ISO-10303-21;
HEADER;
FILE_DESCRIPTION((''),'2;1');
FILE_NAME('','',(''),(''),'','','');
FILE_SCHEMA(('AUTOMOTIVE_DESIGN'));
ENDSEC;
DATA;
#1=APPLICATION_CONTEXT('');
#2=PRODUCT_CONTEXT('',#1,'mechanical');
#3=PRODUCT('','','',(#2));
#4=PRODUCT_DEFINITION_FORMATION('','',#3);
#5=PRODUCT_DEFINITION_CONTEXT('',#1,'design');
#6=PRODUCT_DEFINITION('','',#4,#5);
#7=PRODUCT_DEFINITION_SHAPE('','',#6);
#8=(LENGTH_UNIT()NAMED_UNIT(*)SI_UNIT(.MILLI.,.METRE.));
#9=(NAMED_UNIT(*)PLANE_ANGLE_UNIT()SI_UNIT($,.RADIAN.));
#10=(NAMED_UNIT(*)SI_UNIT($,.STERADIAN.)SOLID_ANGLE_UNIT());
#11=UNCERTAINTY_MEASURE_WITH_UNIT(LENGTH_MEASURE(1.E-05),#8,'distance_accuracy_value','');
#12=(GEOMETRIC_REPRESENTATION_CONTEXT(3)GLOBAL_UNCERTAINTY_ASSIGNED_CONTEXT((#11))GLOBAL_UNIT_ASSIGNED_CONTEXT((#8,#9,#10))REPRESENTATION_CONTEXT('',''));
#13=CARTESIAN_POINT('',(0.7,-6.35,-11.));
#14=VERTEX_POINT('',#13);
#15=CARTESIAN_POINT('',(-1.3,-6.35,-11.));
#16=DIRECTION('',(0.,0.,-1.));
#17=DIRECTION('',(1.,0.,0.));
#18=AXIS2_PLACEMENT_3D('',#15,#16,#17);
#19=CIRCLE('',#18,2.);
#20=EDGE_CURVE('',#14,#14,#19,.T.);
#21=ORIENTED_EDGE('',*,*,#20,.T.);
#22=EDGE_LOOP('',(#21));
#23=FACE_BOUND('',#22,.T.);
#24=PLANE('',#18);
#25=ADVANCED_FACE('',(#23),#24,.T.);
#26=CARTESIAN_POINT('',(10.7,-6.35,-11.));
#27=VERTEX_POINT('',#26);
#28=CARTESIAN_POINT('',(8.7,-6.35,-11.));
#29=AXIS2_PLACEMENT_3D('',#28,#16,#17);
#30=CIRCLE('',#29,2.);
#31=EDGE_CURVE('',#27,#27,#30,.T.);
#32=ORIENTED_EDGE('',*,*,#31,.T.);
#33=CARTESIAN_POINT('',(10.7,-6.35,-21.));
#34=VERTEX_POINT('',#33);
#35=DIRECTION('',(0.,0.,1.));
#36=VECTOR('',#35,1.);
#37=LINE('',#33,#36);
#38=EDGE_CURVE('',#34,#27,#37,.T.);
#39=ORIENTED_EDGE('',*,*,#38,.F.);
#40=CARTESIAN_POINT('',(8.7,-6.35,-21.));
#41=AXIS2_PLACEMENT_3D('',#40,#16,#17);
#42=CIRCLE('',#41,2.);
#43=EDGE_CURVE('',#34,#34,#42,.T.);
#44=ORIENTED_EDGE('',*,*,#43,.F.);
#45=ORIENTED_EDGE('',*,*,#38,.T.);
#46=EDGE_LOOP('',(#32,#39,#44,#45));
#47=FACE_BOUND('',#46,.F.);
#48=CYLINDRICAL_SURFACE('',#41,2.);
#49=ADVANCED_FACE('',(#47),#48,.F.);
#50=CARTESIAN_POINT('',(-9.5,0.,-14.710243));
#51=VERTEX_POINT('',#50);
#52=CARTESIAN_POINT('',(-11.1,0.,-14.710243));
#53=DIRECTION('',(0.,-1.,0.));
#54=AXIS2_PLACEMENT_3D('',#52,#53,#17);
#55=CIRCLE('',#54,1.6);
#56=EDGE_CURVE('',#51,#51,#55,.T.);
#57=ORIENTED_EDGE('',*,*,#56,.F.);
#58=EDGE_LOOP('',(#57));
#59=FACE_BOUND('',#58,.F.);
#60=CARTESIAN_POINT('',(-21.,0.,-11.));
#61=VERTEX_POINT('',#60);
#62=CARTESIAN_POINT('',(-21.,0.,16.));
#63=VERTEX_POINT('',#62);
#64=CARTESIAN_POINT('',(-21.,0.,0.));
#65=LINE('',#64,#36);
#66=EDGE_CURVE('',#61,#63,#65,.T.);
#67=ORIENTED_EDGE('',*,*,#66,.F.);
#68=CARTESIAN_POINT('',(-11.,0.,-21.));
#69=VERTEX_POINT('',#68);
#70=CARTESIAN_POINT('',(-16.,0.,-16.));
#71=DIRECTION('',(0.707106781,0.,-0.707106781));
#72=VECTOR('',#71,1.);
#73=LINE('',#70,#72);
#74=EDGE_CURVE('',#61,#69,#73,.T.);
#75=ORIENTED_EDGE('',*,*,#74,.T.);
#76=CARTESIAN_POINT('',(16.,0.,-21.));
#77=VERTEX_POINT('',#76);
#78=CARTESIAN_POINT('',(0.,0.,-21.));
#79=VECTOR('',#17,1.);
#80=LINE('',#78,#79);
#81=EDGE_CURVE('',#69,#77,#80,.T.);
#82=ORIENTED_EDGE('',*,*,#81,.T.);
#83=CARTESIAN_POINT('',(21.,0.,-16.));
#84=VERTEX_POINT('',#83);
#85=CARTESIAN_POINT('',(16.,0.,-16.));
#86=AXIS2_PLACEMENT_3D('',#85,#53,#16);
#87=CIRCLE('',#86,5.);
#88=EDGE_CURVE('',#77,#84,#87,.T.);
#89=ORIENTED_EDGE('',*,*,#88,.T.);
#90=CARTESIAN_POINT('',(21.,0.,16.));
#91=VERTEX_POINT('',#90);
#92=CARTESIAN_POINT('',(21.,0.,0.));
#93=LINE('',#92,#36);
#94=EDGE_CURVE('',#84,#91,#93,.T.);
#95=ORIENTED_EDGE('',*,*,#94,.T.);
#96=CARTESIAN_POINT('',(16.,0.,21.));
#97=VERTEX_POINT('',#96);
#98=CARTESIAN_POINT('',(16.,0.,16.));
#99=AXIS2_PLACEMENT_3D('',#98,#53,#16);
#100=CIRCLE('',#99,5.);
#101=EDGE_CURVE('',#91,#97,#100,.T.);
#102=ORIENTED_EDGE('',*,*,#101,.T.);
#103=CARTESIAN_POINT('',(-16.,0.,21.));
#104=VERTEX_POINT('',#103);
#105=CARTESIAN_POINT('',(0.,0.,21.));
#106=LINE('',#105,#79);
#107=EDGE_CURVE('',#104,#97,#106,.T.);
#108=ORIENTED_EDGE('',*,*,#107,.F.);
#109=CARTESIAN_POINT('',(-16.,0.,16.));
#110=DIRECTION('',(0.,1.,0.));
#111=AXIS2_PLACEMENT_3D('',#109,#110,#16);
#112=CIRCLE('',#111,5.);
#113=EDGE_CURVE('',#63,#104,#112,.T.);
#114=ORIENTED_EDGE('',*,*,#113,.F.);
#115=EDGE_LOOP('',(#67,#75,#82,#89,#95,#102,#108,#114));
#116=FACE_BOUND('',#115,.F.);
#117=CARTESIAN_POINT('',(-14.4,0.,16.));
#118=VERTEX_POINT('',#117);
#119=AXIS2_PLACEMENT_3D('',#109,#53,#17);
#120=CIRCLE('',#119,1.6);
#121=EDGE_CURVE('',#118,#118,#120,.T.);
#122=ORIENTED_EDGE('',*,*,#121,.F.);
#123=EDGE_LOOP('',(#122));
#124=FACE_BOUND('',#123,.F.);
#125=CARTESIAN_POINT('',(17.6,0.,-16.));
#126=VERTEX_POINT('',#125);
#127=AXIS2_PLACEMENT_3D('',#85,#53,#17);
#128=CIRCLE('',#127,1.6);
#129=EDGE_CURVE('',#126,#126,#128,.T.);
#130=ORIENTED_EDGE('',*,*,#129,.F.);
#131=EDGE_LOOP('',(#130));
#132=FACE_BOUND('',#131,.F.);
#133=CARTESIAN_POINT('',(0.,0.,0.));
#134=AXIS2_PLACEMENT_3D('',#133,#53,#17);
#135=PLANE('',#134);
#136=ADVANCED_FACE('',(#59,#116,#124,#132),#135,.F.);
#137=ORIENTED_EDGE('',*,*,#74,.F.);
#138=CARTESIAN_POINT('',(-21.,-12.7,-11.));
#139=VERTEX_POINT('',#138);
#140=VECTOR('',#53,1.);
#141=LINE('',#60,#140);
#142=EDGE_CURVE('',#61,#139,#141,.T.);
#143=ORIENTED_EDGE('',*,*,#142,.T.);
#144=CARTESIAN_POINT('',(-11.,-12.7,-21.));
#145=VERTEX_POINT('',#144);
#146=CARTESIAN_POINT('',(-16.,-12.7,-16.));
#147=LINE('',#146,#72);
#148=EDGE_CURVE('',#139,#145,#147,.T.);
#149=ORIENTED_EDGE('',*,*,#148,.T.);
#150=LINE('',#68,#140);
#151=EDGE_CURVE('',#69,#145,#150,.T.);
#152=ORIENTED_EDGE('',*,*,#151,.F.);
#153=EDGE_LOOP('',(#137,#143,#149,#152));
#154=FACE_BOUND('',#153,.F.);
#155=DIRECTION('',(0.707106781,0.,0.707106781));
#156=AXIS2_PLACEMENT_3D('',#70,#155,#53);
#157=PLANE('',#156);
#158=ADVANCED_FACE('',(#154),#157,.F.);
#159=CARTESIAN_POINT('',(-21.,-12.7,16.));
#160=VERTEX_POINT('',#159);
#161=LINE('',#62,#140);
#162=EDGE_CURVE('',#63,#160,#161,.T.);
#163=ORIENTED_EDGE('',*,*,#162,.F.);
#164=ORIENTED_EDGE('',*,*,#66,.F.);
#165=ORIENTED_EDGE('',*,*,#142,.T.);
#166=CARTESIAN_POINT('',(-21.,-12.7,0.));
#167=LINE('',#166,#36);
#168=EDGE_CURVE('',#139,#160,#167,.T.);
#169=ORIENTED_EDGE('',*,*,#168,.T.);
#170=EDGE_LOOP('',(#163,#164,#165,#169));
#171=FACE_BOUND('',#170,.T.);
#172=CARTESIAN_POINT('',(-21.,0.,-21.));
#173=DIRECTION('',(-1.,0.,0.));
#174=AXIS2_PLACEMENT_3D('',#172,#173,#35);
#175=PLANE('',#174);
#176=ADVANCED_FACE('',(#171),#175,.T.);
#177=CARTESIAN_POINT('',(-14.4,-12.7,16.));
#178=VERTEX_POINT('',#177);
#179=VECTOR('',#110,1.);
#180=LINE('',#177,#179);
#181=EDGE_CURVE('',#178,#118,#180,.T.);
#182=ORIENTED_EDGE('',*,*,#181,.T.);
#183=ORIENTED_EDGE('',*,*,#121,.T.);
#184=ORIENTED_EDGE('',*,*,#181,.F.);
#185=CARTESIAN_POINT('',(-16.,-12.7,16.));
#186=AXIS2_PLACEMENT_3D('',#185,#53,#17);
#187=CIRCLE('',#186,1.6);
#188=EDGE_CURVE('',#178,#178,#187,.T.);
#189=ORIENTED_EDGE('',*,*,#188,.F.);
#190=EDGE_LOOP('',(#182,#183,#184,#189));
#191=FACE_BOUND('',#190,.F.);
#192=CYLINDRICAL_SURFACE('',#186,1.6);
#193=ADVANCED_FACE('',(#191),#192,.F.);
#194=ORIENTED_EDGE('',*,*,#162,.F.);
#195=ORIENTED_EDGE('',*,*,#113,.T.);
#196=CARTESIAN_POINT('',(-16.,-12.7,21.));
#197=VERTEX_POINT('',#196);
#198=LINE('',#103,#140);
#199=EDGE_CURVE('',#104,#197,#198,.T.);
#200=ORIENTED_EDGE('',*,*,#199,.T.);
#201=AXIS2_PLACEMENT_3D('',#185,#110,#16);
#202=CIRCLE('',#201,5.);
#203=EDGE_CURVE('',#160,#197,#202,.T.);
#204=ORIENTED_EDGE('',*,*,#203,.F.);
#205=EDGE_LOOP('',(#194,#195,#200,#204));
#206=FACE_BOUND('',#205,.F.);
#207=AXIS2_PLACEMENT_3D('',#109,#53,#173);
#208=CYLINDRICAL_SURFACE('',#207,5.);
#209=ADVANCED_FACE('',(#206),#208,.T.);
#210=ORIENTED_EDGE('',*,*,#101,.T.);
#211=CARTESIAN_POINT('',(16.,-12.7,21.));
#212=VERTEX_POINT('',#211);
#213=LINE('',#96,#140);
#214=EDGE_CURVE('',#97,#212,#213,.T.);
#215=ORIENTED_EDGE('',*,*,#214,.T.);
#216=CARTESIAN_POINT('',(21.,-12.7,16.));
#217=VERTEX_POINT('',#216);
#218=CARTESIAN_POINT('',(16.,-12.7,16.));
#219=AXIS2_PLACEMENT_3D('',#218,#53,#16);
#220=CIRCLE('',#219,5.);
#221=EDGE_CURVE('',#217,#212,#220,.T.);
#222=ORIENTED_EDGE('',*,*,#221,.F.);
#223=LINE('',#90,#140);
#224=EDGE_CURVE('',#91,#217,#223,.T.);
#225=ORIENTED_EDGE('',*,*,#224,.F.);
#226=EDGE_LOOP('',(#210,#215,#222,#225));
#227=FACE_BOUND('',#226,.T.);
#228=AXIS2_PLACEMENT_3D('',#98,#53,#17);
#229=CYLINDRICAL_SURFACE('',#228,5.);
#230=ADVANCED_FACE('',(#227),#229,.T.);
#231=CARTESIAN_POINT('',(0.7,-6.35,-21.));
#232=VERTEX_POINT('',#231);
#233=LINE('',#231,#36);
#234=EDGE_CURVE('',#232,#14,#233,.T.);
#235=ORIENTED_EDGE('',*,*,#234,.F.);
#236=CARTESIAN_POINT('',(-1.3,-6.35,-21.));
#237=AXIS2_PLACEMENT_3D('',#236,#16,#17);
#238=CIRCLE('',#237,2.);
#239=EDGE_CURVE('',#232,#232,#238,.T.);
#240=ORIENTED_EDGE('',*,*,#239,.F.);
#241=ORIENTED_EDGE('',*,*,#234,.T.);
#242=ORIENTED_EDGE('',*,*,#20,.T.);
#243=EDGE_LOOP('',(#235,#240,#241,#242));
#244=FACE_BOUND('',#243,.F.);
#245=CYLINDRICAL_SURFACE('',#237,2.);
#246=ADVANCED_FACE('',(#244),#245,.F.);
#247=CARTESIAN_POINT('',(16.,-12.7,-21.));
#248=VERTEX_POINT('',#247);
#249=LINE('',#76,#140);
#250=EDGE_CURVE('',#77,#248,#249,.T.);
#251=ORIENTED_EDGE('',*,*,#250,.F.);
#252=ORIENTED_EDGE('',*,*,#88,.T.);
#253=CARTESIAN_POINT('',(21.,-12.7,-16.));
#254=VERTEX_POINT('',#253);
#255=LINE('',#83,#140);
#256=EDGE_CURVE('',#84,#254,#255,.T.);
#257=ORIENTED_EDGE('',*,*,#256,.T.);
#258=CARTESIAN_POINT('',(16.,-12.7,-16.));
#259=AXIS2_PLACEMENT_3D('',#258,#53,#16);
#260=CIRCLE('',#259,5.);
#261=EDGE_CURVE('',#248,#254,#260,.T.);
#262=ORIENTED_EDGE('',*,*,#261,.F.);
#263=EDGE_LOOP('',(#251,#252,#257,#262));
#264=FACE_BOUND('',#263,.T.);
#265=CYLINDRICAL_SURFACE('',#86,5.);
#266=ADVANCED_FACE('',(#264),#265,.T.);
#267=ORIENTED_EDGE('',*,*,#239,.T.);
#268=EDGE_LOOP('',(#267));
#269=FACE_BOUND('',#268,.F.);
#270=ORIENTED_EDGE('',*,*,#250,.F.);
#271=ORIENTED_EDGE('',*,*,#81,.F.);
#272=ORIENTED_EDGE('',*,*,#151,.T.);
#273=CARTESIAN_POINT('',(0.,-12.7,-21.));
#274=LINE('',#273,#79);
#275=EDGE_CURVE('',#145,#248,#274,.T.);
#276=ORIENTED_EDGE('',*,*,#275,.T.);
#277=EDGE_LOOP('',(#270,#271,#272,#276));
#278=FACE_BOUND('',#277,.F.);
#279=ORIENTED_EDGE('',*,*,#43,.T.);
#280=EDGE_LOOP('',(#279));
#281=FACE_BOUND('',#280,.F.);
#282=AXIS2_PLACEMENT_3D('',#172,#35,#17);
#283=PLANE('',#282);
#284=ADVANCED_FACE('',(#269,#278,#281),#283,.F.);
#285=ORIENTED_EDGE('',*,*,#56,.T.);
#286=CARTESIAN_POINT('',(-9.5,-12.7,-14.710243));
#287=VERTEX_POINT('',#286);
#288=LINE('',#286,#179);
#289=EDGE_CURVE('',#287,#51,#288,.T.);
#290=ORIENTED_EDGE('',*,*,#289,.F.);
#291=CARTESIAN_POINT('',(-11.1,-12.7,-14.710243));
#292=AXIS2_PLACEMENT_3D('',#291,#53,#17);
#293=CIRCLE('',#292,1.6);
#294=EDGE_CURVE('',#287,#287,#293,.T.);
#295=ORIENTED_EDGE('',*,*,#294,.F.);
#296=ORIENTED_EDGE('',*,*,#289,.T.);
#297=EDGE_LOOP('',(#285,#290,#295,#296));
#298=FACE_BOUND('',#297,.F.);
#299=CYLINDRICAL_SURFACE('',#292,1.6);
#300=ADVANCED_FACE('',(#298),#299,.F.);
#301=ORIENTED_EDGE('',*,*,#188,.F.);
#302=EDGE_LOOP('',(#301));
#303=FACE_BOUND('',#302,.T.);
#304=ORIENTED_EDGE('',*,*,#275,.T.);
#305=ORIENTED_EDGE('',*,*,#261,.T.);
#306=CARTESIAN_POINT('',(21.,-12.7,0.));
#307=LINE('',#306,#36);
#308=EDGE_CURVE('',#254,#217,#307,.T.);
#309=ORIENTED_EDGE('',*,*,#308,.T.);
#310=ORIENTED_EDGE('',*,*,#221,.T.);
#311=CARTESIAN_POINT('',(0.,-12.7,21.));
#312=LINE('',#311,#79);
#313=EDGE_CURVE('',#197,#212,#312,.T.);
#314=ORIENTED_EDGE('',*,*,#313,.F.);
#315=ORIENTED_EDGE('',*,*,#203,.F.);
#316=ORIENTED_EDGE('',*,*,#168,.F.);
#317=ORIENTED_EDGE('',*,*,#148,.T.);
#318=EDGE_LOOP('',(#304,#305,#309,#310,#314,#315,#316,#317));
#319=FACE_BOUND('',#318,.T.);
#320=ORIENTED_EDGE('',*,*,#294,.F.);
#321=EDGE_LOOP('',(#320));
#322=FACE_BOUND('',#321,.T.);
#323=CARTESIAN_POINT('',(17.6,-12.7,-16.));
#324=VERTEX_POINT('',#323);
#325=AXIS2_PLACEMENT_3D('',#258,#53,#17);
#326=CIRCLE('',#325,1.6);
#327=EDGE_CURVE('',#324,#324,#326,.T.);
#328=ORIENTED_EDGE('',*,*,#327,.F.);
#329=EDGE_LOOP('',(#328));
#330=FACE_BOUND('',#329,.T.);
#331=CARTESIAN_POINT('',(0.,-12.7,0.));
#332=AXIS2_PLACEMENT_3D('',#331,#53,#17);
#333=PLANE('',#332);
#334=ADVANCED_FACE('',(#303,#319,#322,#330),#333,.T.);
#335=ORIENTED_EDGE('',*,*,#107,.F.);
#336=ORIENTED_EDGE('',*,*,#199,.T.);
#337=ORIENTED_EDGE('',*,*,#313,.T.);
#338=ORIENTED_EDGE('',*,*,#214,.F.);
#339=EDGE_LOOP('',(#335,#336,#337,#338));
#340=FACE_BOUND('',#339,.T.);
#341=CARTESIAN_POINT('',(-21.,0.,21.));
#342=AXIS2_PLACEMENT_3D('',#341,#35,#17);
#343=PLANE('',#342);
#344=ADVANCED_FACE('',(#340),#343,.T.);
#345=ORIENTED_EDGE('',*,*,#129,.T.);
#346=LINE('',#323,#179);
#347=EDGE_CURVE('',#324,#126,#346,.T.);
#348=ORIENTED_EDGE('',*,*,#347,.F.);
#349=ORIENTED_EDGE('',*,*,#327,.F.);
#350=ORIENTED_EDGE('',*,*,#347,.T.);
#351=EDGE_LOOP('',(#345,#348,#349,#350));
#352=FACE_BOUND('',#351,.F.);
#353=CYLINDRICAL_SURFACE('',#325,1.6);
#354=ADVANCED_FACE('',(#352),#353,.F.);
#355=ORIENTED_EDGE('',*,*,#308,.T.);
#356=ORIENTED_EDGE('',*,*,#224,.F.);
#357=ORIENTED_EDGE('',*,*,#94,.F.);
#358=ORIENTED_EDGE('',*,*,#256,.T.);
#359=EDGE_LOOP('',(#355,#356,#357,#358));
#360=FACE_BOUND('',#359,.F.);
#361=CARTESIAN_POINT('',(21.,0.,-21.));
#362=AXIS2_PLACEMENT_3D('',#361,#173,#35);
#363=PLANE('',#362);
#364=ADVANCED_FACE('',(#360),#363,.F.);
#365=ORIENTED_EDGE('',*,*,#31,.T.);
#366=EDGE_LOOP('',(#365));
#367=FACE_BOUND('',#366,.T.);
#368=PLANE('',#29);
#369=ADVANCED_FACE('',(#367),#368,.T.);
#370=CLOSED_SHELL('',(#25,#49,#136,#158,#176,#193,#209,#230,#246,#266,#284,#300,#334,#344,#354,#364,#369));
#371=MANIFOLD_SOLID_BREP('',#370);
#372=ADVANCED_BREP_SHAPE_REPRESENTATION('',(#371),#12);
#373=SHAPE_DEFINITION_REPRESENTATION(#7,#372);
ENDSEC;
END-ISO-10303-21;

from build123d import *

# Parameters (mm, degrees)
F0_W     = 42
F0_H     = 42
F1_DEPTH = 12.7
F2_R     = 5
F3_SIZE  = 10
F4_R     = 1.6
F5_DEPTH = 25
F6_R     = 2
F7_DEPTH = 10


with BuildPart() as f1:
    # F0 (on Front) → F1 (new body)
    with BuildSketch(Plane.XZ):
        Rectangle(F0_W, F0_H)
    extrude(amount=F1_DEPTH)

    # F2
    f2_edges = [f1.edges().sort_by_distance(p)[0] for p in [
        (21, -6.35, 21),
        (-21, -6.35, 21),
        (21, -6.35, -21),
    ]]
    fillet(f2_edges, radius=F2_R)

    # F3
    f3_edges = [f1.edges().sort_by_distance(p)[0] for p in [
        (-21, -6.35, -21),
    ]]
    chamfer(f3_edges, length=F3_SIZE)

    # F4 (on face) → F5 (cut)
    with BuildSketch(Plane.XZ.offset(12.7)):
        with Locations((-16, 16)):
            Circle(F4_R)
        with Locations((16, -16)):
            Circle(F4_R)
        with Locations((-11.1, -14.710243)):
            Circle(F4_R)
    extrude(amount=-F5_DEPTH, mode=Mode.SUBTRACT)

    # F6 (on face) → F7 (cut)
    with BuildSketch(Plane(origin=(0, 0, -21), x_dir=(1, 0, 0), z_dir=(0, 0, -1))):
        with Locations((8.7, 6.35)):
            Circle(F6_R)
        with Locations((-1.3, 6.35)):
            Circle(F6_R)
    extrude(amount=-F7_DEPTH, mode=Mode.SUBTRACT)


solid = f1.part
